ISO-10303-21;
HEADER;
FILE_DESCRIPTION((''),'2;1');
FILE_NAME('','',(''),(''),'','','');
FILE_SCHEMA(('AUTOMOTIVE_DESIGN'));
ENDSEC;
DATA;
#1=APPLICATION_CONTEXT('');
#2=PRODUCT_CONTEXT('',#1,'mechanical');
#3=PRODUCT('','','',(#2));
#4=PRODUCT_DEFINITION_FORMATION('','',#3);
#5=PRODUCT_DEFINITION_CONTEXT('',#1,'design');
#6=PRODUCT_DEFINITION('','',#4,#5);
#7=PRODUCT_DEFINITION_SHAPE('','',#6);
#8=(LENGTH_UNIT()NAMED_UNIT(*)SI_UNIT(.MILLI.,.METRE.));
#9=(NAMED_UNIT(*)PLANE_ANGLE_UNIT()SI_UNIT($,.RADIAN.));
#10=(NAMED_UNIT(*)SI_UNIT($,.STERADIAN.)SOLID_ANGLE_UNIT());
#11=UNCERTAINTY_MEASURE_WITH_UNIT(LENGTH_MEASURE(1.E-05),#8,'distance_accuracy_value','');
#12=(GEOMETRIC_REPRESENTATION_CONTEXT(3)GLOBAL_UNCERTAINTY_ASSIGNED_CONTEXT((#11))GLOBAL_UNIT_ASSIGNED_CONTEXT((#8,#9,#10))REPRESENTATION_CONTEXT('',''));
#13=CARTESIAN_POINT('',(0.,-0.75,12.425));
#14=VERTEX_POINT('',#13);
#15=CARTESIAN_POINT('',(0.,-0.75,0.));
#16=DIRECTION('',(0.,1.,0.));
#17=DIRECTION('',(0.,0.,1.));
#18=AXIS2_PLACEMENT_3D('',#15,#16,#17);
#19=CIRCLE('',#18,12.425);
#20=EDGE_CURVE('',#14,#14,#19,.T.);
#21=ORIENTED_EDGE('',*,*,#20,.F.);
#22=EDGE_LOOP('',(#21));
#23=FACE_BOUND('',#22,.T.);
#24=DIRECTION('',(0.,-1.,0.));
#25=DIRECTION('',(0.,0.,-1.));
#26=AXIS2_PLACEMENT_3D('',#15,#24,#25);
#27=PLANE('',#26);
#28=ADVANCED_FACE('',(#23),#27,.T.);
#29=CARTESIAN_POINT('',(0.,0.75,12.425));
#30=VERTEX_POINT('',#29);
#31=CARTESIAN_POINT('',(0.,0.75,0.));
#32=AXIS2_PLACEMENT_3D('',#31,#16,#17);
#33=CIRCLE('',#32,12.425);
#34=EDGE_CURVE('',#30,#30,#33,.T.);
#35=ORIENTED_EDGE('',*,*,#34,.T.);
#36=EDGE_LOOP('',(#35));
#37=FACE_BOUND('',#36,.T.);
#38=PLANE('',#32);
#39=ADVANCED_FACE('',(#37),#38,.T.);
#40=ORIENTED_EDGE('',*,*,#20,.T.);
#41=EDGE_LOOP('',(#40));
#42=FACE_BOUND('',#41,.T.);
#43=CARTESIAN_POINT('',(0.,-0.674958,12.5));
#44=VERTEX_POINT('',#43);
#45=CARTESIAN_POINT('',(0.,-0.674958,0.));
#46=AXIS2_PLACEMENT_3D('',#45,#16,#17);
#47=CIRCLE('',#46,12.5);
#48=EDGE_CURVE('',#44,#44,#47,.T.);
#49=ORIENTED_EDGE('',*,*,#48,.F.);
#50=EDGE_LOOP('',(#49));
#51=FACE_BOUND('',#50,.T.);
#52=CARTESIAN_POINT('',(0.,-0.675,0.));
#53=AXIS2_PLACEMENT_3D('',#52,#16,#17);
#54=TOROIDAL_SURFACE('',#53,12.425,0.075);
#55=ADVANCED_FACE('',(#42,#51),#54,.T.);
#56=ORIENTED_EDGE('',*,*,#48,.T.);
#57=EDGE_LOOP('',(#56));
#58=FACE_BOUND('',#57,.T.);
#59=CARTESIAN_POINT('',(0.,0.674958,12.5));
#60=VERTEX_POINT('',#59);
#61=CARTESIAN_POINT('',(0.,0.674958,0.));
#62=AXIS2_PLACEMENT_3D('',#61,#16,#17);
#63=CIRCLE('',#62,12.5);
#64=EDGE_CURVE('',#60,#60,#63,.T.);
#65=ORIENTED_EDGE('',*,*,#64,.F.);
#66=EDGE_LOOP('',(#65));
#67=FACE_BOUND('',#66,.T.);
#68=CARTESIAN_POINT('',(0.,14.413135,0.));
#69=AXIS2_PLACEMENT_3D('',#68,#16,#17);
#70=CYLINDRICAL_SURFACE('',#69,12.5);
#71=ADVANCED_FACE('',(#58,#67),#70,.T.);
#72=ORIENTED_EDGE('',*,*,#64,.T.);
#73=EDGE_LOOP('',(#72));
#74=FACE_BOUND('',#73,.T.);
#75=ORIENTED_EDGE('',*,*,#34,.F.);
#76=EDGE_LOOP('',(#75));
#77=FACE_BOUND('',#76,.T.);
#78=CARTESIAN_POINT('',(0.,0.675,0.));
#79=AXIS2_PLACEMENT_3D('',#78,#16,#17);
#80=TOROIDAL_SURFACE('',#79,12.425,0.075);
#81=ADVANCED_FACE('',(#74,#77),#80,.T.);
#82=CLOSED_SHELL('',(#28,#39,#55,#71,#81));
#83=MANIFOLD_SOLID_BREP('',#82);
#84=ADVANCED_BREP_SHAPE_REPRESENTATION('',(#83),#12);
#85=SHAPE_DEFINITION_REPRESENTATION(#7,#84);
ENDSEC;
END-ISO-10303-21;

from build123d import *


with BuildPart() as part:
    # Sketch1 → Revolve1 (revolve)
    with BuildSketch(Plane(origin=(0, 0, 0), x_dir=(0, 0, -1), z_dir=(1, 0, 0))):
        with BuildLine():
            Line((0, 0.75), (-12.425000012, 0.75))
            ThreePointArc((-12.425000012, 0.75), (-12.478047732, 0.728018293), (-12.5, 0.674958384))
            Line((-12.5, 0.674958384), (-12.5, -0.674958384))
            ThreePointArc((-12.5, -0.674958384), (-12.478047732, -0.728018293), (-12.425000012, -0.75))
            Line((-12.425000012, -0.75), (0, -0.75))
            Line((0, -0.75), (0, 0.75))
        make_face()
    revolve(axis=Axis((0, 14.413134572, 0), (0, -1, 0)))


solid = part.part
